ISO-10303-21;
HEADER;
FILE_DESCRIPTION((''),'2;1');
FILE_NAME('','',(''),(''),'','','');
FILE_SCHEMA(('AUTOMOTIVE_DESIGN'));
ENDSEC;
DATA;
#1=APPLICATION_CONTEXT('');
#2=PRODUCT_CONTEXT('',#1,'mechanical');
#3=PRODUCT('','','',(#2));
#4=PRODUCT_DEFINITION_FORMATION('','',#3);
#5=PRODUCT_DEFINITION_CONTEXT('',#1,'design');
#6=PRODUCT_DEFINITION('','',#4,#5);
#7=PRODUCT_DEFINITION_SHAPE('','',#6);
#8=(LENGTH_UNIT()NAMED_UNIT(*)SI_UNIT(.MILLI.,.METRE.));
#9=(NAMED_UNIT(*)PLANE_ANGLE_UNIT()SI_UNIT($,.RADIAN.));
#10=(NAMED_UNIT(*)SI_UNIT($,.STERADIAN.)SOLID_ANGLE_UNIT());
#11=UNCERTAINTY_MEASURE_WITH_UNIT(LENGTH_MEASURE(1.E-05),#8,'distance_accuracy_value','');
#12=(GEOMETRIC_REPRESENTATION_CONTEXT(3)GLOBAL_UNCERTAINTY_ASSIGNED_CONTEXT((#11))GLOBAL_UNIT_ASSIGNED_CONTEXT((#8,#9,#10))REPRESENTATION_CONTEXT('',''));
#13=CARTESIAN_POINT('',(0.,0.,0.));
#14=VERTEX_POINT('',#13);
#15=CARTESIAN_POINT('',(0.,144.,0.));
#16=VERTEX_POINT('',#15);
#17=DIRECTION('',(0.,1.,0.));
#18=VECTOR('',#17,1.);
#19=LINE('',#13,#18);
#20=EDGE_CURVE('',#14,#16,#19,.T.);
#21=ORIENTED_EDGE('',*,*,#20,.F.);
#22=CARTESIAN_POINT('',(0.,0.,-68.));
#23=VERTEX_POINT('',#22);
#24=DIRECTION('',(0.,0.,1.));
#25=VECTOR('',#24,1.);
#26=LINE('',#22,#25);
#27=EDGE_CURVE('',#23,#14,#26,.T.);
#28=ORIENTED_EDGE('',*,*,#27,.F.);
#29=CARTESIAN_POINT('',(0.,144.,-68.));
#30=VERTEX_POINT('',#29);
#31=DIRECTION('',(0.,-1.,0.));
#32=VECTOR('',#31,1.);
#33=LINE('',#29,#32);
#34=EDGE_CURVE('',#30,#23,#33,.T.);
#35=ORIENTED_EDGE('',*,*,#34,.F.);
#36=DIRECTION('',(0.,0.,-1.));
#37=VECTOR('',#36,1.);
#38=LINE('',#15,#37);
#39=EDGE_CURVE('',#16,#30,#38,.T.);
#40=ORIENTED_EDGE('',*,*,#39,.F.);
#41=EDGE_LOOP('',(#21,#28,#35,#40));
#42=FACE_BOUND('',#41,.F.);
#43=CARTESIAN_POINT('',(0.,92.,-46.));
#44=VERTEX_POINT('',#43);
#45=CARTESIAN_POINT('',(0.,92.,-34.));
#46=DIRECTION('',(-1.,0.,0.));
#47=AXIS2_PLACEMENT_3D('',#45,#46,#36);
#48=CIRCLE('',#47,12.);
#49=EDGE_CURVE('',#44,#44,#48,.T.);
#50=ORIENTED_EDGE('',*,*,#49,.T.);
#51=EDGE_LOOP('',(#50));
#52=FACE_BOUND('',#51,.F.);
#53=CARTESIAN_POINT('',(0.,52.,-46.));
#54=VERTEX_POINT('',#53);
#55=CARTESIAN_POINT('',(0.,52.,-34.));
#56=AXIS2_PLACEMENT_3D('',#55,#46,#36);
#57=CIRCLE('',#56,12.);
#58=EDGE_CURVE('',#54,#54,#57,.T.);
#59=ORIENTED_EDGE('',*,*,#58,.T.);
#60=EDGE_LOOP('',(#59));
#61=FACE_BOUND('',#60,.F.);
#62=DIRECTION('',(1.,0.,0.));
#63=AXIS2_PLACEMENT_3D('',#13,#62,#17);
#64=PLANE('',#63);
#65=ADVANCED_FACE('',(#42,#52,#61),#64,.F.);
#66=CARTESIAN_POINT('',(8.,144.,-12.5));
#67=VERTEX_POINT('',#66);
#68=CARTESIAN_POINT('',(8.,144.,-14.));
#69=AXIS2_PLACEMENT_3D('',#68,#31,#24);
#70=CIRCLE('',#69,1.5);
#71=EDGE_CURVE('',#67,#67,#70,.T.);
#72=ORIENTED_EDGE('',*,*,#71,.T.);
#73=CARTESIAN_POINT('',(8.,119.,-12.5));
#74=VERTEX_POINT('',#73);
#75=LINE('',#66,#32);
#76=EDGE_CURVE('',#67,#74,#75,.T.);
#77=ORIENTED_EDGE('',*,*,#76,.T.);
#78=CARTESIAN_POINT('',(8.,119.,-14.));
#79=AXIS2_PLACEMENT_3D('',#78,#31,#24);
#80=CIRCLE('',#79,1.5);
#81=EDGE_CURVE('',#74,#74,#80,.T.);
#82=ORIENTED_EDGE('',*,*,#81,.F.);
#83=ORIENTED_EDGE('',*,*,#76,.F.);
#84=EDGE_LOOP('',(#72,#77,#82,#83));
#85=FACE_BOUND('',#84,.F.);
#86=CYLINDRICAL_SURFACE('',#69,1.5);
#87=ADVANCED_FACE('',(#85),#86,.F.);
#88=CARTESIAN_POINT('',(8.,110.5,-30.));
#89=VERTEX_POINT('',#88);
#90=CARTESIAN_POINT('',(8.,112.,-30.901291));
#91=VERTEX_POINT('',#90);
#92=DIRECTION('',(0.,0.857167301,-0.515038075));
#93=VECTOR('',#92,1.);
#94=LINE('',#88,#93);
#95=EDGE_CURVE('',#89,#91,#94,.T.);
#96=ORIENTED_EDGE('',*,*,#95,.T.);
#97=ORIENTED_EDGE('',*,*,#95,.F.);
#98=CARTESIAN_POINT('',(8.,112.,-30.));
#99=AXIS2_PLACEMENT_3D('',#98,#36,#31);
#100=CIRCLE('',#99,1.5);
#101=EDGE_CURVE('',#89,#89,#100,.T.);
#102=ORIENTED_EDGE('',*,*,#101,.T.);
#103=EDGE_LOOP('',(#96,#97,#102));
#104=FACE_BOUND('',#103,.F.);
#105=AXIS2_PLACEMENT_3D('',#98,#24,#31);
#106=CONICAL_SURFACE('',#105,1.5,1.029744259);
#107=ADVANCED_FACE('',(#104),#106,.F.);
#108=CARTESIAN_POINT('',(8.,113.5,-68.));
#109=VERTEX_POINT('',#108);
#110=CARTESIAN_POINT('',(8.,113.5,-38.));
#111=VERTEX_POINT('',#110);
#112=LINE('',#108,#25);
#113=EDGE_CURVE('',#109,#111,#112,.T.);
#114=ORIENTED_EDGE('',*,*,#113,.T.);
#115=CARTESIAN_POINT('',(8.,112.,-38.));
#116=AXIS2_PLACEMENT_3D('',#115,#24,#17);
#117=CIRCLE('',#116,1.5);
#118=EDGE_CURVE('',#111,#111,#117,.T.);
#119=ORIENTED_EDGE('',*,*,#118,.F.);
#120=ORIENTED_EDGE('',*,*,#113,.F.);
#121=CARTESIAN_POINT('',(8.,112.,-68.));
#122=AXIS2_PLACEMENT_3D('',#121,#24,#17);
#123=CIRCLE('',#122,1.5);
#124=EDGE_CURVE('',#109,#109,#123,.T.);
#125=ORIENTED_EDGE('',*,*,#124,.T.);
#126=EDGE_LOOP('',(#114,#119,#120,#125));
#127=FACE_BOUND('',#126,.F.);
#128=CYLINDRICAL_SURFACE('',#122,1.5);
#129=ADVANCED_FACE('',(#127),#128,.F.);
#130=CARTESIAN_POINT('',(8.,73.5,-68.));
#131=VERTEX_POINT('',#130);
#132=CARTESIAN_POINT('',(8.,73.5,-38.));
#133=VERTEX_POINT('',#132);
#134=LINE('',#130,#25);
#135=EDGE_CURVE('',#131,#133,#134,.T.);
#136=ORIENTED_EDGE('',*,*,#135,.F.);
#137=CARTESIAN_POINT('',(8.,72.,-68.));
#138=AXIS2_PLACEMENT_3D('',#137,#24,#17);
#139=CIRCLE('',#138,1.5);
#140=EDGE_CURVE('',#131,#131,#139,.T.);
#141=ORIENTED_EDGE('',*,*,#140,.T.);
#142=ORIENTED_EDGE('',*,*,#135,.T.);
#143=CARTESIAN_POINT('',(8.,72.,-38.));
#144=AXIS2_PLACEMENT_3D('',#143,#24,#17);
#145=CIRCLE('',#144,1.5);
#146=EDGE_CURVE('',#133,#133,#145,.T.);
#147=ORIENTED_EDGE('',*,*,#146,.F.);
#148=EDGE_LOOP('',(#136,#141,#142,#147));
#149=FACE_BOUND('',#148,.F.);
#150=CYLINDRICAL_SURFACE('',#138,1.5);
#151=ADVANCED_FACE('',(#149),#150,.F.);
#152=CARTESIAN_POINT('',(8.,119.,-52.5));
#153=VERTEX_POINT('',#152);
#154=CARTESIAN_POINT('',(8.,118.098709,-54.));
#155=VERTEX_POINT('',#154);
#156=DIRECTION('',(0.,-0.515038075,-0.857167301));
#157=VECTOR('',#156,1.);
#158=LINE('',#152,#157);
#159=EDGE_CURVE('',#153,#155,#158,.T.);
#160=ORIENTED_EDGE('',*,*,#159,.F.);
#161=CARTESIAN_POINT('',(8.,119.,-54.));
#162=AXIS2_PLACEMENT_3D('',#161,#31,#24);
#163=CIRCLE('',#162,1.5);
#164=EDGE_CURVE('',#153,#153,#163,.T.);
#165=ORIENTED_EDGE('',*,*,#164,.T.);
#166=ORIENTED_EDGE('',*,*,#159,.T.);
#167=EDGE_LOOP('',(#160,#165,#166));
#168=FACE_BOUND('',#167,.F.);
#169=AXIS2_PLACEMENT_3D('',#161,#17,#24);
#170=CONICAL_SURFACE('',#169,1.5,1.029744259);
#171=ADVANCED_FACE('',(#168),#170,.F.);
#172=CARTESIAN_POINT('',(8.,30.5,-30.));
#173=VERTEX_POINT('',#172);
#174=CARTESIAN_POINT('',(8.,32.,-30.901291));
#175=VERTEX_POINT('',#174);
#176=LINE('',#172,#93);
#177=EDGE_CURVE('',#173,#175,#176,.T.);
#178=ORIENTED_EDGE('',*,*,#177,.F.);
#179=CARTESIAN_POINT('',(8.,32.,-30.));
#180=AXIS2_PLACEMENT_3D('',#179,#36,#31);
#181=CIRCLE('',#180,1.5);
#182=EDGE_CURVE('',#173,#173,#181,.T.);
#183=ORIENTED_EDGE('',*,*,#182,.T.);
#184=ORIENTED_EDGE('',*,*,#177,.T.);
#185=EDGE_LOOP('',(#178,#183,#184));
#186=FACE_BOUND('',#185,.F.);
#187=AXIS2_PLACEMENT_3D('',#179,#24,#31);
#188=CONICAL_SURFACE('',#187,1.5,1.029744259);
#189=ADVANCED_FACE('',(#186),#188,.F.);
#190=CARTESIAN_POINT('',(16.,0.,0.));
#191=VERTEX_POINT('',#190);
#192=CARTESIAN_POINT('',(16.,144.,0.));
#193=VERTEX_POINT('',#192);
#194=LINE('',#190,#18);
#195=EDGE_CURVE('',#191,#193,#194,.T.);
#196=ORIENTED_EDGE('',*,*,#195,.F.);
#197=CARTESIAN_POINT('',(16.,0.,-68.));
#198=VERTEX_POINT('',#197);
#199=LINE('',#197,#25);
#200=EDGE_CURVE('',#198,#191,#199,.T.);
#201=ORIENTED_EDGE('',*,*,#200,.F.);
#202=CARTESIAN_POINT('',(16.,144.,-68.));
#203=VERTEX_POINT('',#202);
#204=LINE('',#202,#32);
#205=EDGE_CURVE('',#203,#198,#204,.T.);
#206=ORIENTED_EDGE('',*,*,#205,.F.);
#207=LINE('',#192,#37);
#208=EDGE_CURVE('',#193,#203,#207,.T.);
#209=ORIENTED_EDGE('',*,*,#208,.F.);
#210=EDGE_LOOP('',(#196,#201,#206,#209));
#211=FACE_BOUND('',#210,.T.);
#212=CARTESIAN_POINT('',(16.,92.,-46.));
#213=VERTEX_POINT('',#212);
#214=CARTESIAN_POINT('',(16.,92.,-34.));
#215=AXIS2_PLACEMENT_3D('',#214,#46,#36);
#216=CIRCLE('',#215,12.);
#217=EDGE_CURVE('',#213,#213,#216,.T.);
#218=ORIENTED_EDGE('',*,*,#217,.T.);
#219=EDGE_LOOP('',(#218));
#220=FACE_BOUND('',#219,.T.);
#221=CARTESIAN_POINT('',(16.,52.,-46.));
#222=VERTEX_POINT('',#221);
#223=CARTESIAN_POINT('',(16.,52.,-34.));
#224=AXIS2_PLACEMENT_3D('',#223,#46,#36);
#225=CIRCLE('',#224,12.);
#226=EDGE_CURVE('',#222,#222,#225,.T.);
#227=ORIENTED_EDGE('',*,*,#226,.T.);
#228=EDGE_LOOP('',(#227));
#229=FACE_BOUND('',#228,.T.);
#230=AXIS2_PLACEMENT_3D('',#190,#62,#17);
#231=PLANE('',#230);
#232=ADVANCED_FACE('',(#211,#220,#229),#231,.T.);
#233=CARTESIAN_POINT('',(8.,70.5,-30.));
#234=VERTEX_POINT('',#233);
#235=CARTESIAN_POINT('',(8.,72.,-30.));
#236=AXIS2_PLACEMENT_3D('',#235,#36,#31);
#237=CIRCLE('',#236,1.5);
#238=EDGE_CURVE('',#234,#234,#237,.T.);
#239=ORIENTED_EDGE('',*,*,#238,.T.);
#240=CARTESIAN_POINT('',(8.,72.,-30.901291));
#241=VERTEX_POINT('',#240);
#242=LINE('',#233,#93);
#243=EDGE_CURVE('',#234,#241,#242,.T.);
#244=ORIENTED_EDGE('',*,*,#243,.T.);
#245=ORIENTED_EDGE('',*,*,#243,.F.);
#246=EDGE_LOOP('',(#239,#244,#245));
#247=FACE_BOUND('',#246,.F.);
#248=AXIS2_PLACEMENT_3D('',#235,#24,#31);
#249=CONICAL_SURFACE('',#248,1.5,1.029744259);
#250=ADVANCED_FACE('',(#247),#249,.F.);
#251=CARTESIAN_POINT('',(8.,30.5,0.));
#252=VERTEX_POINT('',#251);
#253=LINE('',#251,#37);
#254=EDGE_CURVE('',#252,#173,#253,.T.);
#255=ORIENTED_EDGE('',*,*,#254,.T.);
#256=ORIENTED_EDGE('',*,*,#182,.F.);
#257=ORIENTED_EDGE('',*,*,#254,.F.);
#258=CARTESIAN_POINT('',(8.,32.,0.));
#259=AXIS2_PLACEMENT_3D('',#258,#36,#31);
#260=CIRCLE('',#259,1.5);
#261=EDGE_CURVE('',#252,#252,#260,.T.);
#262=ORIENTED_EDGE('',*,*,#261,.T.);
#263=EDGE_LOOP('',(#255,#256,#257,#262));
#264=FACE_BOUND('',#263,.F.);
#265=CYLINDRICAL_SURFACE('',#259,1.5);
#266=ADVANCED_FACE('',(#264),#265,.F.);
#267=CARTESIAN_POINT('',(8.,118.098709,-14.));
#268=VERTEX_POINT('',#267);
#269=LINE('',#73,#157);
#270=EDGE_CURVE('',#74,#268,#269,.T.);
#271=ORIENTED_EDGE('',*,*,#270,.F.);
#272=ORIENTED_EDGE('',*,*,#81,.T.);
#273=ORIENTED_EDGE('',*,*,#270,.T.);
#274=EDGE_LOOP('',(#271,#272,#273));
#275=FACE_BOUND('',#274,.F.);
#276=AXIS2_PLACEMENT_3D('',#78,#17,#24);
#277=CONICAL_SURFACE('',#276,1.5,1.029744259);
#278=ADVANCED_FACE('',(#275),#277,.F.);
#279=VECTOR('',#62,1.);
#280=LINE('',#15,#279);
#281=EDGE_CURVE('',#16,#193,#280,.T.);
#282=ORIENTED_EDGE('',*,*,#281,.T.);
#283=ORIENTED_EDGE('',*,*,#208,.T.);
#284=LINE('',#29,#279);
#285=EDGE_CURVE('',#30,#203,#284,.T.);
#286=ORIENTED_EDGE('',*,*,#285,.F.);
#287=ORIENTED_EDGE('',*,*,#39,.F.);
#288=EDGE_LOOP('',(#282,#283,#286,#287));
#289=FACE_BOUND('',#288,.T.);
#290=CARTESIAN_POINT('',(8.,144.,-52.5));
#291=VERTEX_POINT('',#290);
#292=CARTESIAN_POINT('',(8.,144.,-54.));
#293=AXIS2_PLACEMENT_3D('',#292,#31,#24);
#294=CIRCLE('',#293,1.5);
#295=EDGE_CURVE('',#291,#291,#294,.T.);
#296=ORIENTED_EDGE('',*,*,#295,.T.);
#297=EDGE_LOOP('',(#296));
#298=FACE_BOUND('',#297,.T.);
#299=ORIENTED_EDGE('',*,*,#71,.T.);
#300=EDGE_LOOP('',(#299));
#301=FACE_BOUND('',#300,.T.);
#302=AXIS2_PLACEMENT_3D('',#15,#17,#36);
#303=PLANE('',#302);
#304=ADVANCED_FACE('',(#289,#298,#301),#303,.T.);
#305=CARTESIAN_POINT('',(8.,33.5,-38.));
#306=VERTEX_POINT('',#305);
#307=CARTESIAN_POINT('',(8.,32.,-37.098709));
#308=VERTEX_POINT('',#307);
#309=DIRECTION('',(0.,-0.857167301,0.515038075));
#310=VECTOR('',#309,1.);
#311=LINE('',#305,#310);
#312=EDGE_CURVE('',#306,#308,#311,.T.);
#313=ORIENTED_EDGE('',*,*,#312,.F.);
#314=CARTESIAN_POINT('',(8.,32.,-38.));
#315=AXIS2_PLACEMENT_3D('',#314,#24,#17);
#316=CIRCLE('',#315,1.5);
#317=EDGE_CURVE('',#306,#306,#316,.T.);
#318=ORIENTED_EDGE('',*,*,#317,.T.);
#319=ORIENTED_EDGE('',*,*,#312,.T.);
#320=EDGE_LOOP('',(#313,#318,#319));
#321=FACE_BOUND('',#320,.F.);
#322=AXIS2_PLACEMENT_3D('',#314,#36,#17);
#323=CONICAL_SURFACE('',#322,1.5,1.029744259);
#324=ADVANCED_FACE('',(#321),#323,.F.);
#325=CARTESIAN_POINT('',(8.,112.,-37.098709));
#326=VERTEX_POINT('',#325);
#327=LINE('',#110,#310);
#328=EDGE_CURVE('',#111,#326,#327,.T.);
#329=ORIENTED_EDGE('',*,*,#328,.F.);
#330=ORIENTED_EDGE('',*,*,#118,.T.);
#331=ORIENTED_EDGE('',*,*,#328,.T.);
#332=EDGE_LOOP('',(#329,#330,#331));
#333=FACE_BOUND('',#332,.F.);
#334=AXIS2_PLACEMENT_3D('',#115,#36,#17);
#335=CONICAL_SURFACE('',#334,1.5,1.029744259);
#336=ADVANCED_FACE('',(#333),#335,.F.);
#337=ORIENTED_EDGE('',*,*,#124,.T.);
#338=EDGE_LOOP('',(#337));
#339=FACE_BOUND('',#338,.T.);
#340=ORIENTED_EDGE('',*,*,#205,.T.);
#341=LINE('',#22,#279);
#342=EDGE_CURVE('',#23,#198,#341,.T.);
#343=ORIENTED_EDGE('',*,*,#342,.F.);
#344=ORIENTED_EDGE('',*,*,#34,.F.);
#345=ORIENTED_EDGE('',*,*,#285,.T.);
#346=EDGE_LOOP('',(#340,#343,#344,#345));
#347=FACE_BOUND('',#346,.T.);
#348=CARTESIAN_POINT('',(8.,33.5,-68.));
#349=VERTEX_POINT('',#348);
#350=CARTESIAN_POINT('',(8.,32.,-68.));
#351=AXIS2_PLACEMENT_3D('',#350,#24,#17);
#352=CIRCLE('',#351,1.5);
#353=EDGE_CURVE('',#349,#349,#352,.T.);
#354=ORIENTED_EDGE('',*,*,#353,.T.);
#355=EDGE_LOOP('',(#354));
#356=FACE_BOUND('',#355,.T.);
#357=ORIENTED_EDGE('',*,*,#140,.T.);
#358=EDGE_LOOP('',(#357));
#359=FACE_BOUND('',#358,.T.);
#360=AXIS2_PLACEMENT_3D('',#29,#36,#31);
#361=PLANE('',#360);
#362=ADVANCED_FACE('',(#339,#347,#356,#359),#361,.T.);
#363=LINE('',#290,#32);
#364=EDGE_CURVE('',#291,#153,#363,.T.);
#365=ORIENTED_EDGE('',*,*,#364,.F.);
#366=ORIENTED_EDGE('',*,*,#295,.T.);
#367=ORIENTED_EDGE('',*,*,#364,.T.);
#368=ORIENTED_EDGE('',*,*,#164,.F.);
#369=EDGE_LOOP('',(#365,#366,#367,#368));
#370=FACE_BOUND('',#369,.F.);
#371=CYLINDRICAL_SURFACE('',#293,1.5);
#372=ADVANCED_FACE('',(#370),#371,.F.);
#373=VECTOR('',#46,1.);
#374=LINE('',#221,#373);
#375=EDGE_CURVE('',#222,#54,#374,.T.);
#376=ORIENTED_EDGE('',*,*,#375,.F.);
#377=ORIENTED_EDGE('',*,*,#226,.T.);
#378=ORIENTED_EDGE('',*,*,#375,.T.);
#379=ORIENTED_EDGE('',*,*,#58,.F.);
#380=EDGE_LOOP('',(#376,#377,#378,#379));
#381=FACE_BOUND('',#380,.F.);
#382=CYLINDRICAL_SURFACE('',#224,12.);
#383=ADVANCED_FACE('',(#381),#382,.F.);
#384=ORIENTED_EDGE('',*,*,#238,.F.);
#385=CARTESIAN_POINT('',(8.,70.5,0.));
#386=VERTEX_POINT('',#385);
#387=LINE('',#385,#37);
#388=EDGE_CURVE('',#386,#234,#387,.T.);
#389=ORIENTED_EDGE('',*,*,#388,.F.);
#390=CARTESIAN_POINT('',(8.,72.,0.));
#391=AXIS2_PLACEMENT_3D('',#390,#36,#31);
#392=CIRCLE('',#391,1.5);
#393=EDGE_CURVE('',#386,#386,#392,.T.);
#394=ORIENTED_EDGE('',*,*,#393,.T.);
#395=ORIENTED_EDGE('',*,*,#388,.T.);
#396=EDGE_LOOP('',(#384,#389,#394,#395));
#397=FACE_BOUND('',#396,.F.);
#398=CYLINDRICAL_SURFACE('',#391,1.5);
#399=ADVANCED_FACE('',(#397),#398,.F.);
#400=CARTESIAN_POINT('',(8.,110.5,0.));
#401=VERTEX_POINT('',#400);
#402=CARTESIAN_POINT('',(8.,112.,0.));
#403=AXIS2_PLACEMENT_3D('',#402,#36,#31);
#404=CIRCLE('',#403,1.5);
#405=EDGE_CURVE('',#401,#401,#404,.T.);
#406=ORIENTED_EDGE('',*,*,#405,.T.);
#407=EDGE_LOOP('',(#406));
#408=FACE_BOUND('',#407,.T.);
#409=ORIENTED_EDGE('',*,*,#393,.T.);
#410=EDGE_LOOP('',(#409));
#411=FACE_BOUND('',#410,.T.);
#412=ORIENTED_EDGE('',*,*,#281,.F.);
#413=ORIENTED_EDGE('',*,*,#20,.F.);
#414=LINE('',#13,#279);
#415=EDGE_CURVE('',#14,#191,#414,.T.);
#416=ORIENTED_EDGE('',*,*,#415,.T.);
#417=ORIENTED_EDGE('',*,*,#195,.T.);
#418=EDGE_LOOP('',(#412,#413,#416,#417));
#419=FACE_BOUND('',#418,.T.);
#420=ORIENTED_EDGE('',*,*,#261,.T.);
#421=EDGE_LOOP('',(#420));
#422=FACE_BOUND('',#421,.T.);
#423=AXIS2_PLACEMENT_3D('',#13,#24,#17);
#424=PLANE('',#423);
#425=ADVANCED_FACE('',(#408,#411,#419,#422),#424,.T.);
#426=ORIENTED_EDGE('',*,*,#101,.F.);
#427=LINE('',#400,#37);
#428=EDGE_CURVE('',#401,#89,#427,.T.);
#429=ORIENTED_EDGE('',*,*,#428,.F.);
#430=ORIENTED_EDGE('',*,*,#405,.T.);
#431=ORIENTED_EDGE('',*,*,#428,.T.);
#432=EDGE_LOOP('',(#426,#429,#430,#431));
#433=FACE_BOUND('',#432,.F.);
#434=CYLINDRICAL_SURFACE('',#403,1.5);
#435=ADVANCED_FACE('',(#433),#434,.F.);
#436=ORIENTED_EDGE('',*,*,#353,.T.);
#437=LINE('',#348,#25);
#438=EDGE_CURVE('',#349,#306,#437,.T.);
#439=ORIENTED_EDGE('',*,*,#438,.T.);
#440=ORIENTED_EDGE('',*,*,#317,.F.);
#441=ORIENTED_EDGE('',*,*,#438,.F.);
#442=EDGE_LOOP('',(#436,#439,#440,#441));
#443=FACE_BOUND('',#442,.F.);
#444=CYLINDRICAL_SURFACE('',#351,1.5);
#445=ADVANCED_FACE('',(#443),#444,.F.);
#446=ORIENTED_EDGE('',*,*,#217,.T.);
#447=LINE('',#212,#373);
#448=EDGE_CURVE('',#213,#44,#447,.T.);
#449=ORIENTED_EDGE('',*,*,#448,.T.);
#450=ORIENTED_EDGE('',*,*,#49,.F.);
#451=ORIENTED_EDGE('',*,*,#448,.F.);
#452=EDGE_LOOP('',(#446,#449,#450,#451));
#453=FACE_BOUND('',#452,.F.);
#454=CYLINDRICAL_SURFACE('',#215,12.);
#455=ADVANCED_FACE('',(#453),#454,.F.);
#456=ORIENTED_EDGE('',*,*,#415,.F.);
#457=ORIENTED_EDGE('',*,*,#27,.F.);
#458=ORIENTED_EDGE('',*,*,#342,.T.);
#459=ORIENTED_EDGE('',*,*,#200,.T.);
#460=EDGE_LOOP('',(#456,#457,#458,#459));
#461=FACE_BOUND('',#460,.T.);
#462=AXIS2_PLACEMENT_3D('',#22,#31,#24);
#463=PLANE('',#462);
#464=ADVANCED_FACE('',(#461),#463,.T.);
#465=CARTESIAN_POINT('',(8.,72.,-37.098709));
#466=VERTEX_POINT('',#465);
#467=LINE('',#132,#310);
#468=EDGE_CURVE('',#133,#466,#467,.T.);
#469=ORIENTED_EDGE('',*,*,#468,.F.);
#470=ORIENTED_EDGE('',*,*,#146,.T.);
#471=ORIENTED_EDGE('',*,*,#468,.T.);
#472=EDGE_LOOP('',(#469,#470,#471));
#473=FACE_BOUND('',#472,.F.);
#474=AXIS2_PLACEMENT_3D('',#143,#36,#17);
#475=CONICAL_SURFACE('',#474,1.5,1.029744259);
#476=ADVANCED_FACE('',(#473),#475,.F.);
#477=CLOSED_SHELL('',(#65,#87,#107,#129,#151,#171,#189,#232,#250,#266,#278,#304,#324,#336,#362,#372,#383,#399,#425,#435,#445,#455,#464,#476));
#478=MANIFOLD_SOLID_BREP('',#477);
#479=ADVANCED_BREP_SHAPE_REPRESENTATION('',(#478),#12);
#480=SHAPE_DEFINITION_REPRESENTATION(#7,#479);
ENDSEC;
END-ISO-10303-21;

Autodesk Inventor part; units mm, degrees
ref_plane "YZ Plane" through (0, 0, 0) normal (1, 0, 0) x (0, 1, 0)
ref_plane "XZ Plane" through (0, 0, 0) normal (0, 1, 0) x (-1, 0, 0)
ref_plane "XY Plane" through (0, 0, 0) normal (0, 0, 1) x (1, 0, 0)
sketch "Skizze1" plane through (0, 0, 0) normal (1, 0, 0) x (0, 1, 0)
  line L0 (0, 0) -> (144, 0)
  line L1 (144, 0) -> (144, -68)
  line L2 (144, -68) -> (0, -68)
  line L3 (0, -68) -> (0, 0)
  dimension "d0" = 144
  dimension "d1" = 68
extrude "Extrusion1" add sketch "Skizze1" along normal blind 16
sketch "Skizze2" plane through (0, 0, 0) normal (0, 0, 1) x (1, 0, 0)
  line L0 (0, 0) -> (0, 144) construction
  line L1 (0, 72) -> (16, 72) construction
  line L2 (16, 144) -> (16, 0) construction
  line L3 (0, 144) -> (16, 144) construction
  line L4 (8, 144) -> (8, 0) construction
  line L5 (0, 144) -> (16, 144) construction
  line L6 (0, 0) -> (16, 0) construction
  line L7 (0, 144) -> (16, 144) construction
  line L8 (16, 144) -> (16, 0) construction
  line L9 (16, 0) -> (0, 0) construction
  line L10 (0, 0) -> (0, 144) construction
  line L11 (0, 112) -> (16, 112) construction
  line L12 (0, 32) -> (16, 32) construction
  point P0 (8, 112)
  point P1 (8, 72)
  point P2 (8, 32)
  dimension "d4" = 40
  dimension "d5" = 40
hole "Bohrung1" at (8, 112, 0) at (8, 72, 0) at (8, 32, 0) direction (0, 0, -1) diameter 3 depth 30 tip angle 118
sketch "Skizze3" plane through (0, 144, 0) normal (0, 1, 0) x (1, 0, 0)
  line L0 (0, 0) -> (16, 0)
  line L1 (16, 0) -> (16, 68)
  line L2 (16, 68) -> (0, 68)
  line L3 (0, 68) -> (0, 0)
  line L4 (8, 0) -> (8, 68) construction
  line L5 (0, 68) -> (16, 68) construction
  line L6 (16, 0) -> (16, 68) construction
  line L7 (16, 34) -> (0, 34) construction
  line L8 (0, 68) -> (0, 0) construction
  line L9 (0, 14) -> (16, 14) construction
  line L10 (0, 54) -> (16, 54) construction
  point P0 (8, 14)
  point P1 (8, 54)
  dimension "d13" = 14
  dimension "d22" = 14
hole "Bohrung2" at (8, 144, -14) at (8, 144, -54) direction (0, -1, 0) diameter 3 depth 25 tip angle 118
sketch "Skizze4" plane through (0, 0, -68) normal (0, 0, -1) x (-1, 0, 0)
  line L0 (0, 0) -> (-16, 0) construction
  line L1 (-16, 0) -> (-16, 144) construction
  line L2 (-16, 144) -> (0, 144) construction
  line L3 (0, 144) -> (0, 0) construction
  line L4 (-8, 0) -> (-8, 144) construction
  line L5 (-16, 144) -> (-16, 0) construction
  line L6 (-16, 72) -> (0, 72) construction
  circle A0 centre (-8, 72) radius 1.5 construction
  point P0 (-8, 112)
  point P1 (-8, 32)
  dimension "d23" = 40
  dimension "d24" = 40
hole "Bohrung3" at (8, 72, -68) at (8, 112, -68) at (8, 32, -68) direction (0, 0, 1) diameter 3 depth 30 tip angle 118
sketch "Skizze5" plane through (16, 0, 0) normal (1, 0, 0) x (0, 0, -1)
  line L0 (0, 0) -> (68, 0) construction
  line L1 (68, 0) -> (68, 144) construction
  line L2 (68, 144) -> (0, 144) construction
  line L3 (0, 144) -> (0, 0) construction
  line L4 (0, 0) -> (68, 0) construction
  line L5 (34, 0) -> (34, 144) construction
  line L6 (0, 72) -> (68, 72) construction
  line L7 (68, 73.5) -> (68, 70.5) construction
  point P0 (34, 52)
  point P1 (34, 92)
  dimension "d32" = 20
  dimension "d33" = 20
hole "Bohrung4" at (16, 52, -34) at (16, 92, -34) direction (-1, 0, 0) diameter 24 end through all
equation "\"d39\" = Stärke"
equation "\"Biegeradius\" = Stärke"
equation "\"BreiteBiegungsfreistellung\" = Stärke"
equation "\"TiefeBiegungsfreistellung\" = 0.5 * Stärke"
equation "\"GrößeEckenfreistellung\" = 4 * Stärke"
equation "\"MinimalRest\" = 2 * Stärke"
equation "\"Übergangsradius\" = Biegeradius"
equation "\"JacobiRadiusGröße\" = Biegeradius"
equation "\"Abstandsgröße\" = Stärke"
equation "\"Stärke\" = 0.5"
properties part number "licht_side_200_middle"
